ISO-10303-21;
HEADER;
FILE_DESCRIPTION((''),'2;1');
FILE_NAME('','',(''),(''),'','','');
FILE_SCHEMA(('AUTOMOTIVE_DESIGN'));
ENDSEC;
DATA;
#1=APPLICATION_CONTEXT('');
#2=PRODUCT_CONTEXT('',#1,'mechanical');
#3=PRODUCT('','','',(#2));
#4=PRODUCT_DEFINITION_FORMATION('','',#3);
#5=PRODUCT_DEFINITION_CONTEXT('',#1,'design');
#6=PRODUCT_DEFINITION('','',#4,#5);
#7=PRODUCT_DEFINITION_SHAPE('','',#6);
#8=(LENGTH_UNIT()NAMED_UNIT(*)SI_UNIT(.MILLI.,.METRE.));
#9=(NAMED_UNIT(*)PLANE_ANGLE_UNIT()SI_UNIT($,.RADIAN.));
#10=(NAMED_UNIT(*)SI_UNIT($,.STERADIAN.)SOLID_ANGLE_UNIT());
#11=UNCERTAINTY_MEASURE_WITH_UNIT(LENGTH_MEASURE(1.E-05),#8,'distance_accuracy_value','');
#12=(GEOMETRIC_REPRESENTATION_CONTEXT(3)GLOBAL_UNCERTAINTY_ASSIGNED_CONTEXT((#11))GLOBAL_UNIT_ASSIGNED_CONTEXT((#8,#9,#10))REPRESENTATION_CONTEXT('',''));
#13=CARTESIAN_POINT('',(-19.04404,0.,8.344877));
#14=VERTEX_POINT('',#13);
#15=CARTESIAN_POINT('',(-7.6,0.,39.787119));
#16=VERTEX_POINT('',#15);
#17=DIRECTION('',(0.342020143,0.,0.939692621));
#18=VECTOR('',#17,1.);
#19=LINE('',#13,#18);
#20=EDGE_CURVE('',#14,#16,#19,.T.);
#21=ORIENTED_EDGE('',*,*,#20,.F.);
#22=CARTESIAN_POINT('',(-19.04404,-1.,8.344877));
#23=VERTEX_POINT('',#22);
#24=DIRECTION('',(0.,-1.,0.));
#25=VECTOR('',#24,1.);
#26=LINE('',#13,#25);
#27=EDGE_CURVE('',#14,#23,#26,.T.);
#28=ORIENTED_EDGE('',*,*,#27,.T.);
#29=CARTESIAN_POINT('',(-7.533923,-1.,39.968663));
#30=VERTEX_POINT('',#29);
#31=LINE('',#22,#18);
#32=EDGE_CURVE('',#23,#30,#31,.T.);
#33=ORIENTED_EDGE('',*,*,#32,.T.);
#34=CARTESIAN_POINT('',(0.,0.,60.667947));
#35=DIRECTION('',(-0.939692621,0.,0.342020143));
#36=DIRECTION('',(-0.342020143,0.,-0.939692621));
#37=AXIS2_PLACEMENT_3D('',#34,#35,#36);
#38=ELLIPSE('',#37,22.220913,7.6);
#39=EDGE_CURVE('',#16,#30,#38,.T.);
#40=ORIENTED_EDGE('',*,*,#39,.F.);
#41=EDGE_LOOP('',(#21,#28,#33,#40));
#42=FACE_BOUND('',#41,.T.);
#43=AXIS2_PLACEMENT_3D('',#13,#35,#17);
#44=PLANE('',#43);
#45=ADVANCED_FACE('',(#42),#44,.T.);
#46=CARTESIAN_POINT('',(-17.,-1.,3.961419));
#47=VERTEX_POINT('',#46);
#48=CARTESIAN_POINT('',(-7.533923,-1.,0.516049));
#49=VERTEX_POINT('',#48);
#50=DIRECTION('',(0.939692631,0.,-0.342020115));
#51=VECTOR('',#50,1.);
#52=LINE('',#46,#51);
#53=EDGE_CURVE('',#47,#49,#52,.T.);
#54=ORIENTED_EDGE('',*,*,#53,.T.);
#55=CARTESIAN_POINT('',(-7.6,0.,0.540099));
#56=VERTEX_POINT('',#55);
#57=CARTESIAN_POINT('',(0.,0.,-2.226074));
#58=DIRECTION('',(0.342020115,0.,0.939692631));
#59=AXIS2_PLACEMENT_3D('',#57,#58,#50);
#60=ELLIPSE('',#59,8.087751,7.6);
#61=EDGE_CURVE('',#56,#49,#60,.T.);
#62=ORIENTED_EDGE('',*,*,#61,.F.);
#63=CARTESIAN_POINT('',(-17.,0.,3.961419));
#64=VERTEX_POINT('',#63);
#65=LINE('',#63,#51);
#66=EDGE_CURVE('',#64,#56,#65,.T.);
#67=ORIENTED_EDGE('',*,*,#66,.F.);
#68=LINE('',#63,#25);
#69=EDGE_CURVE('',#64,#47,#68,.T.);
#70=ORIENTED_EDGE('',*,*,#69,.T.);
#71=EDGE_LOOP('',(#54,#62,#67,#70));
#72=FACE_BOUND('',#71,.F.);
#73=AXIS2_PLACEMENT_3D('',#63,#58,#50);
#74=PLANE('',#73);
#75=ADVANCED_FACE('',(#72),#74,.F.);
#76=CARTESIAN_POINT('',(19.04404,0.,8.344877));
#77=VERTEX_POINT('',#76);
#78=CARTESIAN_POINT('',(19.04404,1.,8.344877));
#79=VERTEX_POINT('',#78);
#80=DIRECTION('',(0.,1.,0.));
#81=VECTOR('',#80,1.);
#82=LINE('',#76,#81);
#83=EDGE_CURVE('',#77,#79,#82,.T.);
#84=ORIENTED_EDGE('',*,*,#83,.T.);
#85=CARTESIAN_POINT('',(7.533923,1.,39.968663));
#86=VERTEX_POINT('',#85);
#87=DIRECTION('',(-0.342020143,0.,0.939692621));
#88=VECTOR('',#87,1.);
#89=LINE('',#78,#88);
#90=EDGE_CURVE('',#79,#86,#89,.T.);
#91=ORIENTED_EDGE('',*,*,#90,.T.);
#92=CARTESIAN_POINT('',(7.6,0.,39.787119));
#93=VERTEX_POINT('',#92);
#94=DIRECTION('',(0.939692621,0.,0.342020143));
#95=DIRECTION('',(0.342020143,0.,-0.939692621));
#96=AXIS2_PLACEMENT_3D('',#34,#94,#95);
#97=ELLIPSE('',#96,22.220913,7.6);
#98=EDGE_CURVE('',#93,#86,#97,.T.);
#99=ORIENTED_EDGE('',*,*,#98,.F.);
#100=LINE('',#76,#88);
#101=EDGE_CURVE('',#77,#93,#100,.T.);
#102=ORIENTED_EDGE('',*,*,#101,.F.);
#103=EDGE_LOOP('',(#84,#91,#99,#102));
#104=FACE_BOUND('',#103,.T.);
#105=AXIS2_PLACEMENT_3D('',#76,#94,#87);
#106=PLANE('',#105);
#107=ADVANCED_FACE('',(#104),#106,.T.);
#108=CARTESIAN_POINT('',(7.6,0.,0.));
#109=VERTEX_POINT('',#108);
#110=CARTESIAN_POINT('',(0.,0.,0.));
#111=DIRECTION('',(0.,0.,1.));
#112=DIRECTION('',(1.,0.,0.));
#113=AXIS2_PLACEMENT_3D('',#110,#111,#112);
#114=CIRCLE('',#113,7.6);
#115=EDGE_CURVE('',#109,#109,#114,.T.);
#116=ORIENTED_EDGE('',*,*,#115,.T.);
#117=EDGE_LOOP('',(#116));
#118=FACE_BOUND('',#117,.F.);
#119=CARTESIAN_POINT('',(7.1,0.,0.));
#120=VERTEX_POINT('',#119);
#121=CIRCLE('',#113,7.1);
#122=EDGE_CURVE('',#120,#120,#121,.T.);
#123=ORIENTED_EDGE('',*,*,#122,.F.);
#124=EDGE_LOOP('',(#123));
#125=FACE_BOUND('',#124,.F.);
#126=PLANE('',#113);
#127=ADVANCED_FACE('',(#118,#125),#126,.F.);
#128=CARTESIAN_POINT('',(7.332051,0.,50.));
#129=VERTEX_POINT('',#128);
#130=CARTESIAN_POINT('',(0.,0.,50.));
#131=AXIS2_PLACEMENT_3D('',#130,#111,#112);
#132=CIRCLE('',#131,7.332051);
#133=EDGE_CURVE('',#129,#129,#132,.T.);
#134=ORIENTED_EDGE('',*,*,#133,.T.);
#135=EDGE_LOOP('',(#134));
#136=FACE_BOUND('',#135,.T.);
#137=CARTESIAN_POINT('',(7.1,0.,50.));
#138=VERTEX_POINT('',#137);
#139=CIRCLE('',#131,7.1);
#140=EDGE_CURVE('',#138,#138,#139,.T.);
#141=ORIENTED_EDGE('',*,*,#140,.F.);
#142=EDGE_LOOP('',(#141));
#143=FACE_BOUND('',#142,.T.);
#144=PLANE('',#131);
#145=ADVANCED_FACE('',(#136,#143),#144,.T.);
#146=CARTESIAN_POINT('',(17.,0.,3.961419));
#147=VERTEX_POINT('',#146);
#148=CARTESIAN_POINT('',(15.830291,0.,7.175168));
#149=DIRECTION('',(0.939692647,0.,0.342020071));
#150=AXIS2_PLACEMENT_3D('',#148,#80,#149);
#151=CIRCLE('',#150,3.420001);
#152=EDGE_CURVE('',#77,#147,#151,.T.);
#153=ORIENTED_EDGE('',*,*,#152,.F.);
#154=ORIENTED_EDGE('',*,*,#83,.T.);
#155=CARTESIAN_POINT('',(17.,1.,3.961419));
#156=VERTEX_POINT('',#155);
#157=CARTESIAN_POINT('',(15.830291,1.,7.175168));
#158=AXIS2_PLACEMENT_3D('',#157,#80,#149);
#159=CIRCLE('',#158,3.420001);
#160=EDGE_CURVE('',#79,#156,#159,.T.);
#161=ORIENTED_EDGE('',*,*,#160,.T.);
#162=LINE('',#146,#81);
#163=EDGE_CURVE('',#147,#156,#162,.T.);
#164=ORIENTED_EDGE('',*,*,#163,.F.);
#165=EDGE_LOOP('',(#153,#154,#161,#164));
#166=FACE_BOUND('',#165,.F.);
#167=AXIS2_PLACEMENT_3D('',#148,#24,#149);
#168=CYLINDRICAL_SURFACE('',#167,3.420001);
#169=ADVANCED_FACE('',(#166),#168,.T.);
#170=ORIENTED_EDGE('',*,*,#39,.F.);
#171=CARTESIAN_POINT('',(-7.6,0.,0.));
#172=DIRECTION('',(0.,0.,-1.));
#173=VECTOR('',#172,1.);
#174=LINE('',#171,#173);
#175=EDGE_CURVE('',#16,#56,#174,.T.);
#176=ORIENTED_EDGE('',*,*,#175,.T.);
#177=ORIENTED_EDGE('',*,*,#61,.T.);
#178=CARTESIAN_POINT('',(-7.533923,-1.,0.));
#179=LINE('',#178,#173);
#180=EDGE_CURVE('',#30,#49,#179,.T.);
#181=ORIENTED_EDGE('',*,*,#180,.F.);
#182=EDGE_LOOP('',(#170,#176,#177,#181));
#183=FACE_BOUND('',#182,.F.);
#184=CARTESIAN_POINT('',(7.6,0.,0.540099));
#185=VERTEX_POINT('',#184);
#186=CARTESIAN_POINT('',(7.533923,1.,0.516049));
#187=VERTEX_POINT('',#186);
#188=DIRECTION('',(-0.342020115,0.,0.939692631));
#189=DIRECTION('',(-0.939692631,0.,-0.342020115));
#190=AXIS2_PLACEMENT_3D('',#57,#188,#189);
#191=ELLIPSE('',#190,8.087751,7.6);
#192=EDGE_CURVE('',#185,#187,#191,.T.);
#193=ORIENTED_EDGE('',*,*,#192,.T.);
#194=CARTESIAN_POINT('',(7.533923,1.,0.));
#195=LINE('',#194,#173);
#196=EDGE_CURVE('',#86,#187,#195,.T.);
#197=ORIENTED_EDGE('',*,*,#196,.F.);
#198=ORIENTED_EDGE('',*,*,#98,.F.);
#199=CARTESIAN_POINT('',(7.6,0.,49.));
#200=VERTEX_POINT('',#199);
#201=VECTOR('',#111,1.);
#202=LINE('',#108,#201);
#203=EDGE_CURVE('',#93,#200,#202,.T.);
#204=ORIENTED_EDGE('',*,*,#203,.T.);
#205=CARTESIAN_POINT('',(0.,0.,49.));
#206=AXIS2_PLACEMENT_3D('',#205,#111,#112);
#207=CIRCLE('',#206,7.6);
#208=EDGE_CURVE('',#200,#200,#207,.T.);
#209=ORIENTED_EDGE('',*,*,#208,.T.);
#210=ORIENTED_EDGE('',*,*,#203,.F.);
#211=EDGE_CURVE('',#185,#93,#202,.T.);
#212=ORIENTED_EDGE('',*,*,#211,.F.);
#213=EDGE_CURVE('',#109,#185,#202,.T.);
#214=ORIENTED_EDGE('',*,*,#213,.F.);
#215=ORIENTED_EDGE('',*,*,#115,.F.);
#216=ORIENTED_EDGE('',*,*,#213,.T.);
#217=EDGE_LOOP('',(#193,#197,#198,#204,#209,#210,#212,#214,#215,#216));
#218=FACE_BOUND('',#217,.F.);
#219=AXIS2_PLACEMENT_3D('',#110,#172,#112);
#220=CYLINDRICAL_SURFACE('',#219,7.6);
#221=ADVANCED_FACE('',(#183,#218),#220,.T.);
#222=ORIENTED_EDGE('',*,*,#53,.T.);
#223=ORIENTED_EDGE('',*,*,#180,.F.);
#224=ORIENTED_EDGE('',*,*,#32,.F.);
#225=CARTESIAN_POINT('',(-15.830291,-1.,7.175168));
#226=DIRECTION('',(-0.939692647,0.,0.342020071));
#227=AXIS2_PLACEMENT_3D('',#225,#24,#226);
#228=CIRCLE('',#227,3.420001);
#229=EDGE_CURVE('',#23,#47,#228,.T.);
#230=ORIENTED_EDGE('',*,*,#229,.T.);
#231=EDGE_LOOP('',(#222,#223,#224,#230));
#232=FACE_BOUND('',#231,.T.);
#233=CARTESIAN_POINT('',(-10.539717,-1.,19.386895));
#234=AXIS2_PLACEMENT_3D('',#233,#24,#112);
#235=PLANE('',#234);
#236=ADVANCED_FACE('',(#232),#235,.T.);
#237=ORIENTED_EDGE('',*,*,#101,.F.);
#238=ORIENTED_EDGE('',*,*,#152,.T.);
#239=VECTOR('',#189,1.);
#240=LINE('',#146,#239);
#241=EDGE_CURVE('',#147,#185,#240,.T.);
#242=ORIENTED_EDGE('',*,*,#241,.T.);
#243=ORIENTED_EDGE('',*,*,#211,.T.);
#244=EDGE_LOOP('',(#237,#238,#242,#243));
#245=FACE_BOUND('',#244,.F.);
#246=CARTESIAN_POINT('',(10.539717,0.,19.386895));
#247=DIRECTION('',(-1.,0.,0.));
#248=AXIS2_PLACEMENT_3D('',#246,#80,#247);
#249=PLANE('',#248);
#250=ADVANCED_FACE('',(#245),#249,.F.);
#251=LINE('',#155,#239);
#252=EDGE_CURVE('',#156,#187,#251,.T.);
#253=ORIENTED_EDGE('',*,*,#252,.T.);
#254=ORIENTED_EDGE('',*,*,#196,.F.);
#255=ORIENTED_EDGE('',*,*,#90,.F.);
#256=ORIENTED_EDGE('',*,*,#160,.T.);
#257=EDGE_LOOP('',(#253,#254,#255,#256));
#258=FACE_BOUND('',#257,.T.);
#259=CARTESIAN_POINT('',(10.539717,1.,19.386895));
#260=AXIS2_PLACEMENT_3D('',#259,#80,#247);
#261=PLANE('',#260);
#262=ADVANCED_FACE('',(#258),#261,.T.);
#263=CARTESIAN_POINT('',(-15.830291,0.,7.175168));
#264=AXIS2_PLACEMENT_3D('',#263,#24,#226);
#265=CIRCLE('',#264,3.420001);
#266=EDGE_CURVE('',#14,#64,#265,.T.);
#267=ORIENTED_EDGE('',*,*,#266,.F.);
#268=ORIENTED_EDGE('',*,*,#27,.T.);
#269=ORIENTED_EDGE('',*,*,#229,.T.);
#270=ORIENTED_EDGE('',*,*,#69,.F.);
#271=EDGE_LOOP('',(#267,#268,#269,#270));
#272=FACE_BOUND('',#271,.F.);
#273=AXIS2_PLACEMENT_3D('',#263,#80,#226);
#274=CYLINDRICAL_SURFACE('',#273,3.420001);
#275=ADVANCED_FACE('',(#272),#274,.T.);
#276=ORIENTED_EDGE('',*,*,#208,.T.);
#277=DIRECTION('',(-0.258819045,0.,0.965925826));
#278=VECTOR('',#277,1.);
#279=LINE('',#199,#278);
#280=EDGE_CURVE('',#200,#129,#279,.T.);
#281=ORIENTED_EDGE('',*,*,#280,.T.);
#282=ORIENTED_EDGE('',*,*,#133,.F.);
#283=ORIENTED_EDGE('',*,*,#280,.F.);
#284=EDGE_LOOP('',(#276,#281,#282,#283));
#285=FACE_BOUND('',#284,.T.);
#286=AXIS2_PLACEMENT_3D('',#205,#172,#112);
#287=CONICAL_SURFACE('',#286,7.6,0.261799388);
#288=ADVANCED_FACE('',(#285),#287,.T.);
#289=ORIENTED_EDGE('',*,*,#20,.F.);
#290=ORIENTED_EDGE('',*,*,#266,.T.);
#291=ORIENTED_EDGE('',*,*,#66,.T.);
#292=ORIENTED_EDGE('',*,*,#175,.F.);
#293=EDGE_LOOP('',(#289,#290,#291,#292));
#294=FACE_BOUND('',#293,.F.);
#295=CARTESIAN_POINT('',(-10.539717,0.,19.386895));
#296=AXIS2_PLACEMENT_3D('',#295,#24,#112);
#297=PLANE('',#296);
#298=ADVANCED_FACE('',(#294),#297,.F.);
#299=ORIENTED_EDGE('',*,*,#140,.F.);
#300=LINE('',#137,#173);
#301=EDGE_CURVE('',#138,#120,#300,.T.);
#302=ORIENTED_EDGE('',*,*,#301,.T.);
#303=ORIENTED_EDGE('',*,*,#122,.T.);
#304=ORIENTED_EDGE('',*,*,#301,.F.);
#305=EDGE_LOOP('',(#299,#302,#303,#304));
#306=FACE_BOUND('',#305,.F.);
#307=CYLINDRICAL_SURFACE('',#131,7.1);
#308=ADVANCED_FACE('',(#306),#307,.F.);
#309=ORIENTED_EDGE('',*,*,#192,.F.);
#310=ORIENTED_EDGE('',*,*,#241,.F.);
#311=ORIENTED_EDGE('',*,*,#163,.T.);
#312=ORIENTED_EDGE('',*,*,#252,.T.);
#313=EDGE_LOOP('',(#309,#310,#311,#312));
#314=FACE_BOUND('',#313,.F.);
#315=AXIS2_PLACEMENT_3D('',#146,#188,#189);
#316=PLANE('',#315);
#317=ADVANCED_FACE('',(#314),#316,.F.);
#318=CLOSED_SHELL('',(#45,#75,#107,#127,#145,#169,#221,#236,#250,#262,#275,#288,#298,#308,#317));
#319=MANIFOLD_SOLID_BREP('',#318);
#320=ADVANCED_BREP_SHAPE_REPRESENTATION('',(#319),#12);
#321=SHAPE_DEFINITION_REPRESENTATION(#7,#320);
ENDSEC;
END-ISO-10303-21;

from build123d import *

# Parameters (mm, degrees)
SKETCH_R           = 7.6
PAD_DEPTH          = 50
PAD001_DEPTH       = 1
POLARPATTERN_COUNT = 2
CHAMFER_ANGLE      = 15
CHAMFER_SIZE       = 1
SKETCH002_R        = 7.1
POCKET_DEPTH       = 50.001


with BuildPart() as part:
    # Sketch → Pad (new body)
    with BuildSketch(Plane.XY):
        Circle(SKETCH_R)
    extrude(amount=PAD_DEPTH)

    # Sketch001 (on DatumPlane) → Pad001 (join)
    with BuildSketch(Plane(origin=(7.5, 0, 0), x_dir=(-1, 0, 0), z_dir=(0, 1, 0))):
        with BuildLine():
            Line((0.5, 0.321717), (0.5, 41.435605))
            Line((-11.54404, 8.344877), (0.5, 41.435605))
            ThreePointArc((-11.54404, 8.344877), (-11.429864, 5.729814), (-9.5, 3.961419))
            Line((-9.5, 3.961419), (0.5, 0.321717))
        make_face()
    pad001 = extrude(amount=PAD001_DEPTH)

    # PolarPattern: Pad001 ×2 about axis
    polarpattern_axis = Axis((0, 0, 0), (0, 0, 1))
    for i in range(1, POLARPATTERN_COUNT):
        add(pad001.rotate(polarpattern_axis, i * 360 / POLARPATTERN_COUNT))

    # Chamfer
    chamfer_edges = [part.edges().sort_by_distance(p)[0] for p in [
        (-7.6, 0, 50),
    ]]
    chamfer_side = part.faces().sort_by_distance((-7.6, 0, 49.45575))[0]
    chamfer(chamfer_edges, length=CHAMFER_SIZE, angle=CHAMFER_ANGLE, reference=chamfer_side)

    # Sketch002 (on Face12 of Chamfer) → Pocket (cut, through all)
    with BuildSketch(Plane.XY.offset(50)):
        Circle(SKETCH002_R)
    extrude(amount=-POCKET_DEPTH, mode=Mode.SUBTRACT)


solid = part.part
